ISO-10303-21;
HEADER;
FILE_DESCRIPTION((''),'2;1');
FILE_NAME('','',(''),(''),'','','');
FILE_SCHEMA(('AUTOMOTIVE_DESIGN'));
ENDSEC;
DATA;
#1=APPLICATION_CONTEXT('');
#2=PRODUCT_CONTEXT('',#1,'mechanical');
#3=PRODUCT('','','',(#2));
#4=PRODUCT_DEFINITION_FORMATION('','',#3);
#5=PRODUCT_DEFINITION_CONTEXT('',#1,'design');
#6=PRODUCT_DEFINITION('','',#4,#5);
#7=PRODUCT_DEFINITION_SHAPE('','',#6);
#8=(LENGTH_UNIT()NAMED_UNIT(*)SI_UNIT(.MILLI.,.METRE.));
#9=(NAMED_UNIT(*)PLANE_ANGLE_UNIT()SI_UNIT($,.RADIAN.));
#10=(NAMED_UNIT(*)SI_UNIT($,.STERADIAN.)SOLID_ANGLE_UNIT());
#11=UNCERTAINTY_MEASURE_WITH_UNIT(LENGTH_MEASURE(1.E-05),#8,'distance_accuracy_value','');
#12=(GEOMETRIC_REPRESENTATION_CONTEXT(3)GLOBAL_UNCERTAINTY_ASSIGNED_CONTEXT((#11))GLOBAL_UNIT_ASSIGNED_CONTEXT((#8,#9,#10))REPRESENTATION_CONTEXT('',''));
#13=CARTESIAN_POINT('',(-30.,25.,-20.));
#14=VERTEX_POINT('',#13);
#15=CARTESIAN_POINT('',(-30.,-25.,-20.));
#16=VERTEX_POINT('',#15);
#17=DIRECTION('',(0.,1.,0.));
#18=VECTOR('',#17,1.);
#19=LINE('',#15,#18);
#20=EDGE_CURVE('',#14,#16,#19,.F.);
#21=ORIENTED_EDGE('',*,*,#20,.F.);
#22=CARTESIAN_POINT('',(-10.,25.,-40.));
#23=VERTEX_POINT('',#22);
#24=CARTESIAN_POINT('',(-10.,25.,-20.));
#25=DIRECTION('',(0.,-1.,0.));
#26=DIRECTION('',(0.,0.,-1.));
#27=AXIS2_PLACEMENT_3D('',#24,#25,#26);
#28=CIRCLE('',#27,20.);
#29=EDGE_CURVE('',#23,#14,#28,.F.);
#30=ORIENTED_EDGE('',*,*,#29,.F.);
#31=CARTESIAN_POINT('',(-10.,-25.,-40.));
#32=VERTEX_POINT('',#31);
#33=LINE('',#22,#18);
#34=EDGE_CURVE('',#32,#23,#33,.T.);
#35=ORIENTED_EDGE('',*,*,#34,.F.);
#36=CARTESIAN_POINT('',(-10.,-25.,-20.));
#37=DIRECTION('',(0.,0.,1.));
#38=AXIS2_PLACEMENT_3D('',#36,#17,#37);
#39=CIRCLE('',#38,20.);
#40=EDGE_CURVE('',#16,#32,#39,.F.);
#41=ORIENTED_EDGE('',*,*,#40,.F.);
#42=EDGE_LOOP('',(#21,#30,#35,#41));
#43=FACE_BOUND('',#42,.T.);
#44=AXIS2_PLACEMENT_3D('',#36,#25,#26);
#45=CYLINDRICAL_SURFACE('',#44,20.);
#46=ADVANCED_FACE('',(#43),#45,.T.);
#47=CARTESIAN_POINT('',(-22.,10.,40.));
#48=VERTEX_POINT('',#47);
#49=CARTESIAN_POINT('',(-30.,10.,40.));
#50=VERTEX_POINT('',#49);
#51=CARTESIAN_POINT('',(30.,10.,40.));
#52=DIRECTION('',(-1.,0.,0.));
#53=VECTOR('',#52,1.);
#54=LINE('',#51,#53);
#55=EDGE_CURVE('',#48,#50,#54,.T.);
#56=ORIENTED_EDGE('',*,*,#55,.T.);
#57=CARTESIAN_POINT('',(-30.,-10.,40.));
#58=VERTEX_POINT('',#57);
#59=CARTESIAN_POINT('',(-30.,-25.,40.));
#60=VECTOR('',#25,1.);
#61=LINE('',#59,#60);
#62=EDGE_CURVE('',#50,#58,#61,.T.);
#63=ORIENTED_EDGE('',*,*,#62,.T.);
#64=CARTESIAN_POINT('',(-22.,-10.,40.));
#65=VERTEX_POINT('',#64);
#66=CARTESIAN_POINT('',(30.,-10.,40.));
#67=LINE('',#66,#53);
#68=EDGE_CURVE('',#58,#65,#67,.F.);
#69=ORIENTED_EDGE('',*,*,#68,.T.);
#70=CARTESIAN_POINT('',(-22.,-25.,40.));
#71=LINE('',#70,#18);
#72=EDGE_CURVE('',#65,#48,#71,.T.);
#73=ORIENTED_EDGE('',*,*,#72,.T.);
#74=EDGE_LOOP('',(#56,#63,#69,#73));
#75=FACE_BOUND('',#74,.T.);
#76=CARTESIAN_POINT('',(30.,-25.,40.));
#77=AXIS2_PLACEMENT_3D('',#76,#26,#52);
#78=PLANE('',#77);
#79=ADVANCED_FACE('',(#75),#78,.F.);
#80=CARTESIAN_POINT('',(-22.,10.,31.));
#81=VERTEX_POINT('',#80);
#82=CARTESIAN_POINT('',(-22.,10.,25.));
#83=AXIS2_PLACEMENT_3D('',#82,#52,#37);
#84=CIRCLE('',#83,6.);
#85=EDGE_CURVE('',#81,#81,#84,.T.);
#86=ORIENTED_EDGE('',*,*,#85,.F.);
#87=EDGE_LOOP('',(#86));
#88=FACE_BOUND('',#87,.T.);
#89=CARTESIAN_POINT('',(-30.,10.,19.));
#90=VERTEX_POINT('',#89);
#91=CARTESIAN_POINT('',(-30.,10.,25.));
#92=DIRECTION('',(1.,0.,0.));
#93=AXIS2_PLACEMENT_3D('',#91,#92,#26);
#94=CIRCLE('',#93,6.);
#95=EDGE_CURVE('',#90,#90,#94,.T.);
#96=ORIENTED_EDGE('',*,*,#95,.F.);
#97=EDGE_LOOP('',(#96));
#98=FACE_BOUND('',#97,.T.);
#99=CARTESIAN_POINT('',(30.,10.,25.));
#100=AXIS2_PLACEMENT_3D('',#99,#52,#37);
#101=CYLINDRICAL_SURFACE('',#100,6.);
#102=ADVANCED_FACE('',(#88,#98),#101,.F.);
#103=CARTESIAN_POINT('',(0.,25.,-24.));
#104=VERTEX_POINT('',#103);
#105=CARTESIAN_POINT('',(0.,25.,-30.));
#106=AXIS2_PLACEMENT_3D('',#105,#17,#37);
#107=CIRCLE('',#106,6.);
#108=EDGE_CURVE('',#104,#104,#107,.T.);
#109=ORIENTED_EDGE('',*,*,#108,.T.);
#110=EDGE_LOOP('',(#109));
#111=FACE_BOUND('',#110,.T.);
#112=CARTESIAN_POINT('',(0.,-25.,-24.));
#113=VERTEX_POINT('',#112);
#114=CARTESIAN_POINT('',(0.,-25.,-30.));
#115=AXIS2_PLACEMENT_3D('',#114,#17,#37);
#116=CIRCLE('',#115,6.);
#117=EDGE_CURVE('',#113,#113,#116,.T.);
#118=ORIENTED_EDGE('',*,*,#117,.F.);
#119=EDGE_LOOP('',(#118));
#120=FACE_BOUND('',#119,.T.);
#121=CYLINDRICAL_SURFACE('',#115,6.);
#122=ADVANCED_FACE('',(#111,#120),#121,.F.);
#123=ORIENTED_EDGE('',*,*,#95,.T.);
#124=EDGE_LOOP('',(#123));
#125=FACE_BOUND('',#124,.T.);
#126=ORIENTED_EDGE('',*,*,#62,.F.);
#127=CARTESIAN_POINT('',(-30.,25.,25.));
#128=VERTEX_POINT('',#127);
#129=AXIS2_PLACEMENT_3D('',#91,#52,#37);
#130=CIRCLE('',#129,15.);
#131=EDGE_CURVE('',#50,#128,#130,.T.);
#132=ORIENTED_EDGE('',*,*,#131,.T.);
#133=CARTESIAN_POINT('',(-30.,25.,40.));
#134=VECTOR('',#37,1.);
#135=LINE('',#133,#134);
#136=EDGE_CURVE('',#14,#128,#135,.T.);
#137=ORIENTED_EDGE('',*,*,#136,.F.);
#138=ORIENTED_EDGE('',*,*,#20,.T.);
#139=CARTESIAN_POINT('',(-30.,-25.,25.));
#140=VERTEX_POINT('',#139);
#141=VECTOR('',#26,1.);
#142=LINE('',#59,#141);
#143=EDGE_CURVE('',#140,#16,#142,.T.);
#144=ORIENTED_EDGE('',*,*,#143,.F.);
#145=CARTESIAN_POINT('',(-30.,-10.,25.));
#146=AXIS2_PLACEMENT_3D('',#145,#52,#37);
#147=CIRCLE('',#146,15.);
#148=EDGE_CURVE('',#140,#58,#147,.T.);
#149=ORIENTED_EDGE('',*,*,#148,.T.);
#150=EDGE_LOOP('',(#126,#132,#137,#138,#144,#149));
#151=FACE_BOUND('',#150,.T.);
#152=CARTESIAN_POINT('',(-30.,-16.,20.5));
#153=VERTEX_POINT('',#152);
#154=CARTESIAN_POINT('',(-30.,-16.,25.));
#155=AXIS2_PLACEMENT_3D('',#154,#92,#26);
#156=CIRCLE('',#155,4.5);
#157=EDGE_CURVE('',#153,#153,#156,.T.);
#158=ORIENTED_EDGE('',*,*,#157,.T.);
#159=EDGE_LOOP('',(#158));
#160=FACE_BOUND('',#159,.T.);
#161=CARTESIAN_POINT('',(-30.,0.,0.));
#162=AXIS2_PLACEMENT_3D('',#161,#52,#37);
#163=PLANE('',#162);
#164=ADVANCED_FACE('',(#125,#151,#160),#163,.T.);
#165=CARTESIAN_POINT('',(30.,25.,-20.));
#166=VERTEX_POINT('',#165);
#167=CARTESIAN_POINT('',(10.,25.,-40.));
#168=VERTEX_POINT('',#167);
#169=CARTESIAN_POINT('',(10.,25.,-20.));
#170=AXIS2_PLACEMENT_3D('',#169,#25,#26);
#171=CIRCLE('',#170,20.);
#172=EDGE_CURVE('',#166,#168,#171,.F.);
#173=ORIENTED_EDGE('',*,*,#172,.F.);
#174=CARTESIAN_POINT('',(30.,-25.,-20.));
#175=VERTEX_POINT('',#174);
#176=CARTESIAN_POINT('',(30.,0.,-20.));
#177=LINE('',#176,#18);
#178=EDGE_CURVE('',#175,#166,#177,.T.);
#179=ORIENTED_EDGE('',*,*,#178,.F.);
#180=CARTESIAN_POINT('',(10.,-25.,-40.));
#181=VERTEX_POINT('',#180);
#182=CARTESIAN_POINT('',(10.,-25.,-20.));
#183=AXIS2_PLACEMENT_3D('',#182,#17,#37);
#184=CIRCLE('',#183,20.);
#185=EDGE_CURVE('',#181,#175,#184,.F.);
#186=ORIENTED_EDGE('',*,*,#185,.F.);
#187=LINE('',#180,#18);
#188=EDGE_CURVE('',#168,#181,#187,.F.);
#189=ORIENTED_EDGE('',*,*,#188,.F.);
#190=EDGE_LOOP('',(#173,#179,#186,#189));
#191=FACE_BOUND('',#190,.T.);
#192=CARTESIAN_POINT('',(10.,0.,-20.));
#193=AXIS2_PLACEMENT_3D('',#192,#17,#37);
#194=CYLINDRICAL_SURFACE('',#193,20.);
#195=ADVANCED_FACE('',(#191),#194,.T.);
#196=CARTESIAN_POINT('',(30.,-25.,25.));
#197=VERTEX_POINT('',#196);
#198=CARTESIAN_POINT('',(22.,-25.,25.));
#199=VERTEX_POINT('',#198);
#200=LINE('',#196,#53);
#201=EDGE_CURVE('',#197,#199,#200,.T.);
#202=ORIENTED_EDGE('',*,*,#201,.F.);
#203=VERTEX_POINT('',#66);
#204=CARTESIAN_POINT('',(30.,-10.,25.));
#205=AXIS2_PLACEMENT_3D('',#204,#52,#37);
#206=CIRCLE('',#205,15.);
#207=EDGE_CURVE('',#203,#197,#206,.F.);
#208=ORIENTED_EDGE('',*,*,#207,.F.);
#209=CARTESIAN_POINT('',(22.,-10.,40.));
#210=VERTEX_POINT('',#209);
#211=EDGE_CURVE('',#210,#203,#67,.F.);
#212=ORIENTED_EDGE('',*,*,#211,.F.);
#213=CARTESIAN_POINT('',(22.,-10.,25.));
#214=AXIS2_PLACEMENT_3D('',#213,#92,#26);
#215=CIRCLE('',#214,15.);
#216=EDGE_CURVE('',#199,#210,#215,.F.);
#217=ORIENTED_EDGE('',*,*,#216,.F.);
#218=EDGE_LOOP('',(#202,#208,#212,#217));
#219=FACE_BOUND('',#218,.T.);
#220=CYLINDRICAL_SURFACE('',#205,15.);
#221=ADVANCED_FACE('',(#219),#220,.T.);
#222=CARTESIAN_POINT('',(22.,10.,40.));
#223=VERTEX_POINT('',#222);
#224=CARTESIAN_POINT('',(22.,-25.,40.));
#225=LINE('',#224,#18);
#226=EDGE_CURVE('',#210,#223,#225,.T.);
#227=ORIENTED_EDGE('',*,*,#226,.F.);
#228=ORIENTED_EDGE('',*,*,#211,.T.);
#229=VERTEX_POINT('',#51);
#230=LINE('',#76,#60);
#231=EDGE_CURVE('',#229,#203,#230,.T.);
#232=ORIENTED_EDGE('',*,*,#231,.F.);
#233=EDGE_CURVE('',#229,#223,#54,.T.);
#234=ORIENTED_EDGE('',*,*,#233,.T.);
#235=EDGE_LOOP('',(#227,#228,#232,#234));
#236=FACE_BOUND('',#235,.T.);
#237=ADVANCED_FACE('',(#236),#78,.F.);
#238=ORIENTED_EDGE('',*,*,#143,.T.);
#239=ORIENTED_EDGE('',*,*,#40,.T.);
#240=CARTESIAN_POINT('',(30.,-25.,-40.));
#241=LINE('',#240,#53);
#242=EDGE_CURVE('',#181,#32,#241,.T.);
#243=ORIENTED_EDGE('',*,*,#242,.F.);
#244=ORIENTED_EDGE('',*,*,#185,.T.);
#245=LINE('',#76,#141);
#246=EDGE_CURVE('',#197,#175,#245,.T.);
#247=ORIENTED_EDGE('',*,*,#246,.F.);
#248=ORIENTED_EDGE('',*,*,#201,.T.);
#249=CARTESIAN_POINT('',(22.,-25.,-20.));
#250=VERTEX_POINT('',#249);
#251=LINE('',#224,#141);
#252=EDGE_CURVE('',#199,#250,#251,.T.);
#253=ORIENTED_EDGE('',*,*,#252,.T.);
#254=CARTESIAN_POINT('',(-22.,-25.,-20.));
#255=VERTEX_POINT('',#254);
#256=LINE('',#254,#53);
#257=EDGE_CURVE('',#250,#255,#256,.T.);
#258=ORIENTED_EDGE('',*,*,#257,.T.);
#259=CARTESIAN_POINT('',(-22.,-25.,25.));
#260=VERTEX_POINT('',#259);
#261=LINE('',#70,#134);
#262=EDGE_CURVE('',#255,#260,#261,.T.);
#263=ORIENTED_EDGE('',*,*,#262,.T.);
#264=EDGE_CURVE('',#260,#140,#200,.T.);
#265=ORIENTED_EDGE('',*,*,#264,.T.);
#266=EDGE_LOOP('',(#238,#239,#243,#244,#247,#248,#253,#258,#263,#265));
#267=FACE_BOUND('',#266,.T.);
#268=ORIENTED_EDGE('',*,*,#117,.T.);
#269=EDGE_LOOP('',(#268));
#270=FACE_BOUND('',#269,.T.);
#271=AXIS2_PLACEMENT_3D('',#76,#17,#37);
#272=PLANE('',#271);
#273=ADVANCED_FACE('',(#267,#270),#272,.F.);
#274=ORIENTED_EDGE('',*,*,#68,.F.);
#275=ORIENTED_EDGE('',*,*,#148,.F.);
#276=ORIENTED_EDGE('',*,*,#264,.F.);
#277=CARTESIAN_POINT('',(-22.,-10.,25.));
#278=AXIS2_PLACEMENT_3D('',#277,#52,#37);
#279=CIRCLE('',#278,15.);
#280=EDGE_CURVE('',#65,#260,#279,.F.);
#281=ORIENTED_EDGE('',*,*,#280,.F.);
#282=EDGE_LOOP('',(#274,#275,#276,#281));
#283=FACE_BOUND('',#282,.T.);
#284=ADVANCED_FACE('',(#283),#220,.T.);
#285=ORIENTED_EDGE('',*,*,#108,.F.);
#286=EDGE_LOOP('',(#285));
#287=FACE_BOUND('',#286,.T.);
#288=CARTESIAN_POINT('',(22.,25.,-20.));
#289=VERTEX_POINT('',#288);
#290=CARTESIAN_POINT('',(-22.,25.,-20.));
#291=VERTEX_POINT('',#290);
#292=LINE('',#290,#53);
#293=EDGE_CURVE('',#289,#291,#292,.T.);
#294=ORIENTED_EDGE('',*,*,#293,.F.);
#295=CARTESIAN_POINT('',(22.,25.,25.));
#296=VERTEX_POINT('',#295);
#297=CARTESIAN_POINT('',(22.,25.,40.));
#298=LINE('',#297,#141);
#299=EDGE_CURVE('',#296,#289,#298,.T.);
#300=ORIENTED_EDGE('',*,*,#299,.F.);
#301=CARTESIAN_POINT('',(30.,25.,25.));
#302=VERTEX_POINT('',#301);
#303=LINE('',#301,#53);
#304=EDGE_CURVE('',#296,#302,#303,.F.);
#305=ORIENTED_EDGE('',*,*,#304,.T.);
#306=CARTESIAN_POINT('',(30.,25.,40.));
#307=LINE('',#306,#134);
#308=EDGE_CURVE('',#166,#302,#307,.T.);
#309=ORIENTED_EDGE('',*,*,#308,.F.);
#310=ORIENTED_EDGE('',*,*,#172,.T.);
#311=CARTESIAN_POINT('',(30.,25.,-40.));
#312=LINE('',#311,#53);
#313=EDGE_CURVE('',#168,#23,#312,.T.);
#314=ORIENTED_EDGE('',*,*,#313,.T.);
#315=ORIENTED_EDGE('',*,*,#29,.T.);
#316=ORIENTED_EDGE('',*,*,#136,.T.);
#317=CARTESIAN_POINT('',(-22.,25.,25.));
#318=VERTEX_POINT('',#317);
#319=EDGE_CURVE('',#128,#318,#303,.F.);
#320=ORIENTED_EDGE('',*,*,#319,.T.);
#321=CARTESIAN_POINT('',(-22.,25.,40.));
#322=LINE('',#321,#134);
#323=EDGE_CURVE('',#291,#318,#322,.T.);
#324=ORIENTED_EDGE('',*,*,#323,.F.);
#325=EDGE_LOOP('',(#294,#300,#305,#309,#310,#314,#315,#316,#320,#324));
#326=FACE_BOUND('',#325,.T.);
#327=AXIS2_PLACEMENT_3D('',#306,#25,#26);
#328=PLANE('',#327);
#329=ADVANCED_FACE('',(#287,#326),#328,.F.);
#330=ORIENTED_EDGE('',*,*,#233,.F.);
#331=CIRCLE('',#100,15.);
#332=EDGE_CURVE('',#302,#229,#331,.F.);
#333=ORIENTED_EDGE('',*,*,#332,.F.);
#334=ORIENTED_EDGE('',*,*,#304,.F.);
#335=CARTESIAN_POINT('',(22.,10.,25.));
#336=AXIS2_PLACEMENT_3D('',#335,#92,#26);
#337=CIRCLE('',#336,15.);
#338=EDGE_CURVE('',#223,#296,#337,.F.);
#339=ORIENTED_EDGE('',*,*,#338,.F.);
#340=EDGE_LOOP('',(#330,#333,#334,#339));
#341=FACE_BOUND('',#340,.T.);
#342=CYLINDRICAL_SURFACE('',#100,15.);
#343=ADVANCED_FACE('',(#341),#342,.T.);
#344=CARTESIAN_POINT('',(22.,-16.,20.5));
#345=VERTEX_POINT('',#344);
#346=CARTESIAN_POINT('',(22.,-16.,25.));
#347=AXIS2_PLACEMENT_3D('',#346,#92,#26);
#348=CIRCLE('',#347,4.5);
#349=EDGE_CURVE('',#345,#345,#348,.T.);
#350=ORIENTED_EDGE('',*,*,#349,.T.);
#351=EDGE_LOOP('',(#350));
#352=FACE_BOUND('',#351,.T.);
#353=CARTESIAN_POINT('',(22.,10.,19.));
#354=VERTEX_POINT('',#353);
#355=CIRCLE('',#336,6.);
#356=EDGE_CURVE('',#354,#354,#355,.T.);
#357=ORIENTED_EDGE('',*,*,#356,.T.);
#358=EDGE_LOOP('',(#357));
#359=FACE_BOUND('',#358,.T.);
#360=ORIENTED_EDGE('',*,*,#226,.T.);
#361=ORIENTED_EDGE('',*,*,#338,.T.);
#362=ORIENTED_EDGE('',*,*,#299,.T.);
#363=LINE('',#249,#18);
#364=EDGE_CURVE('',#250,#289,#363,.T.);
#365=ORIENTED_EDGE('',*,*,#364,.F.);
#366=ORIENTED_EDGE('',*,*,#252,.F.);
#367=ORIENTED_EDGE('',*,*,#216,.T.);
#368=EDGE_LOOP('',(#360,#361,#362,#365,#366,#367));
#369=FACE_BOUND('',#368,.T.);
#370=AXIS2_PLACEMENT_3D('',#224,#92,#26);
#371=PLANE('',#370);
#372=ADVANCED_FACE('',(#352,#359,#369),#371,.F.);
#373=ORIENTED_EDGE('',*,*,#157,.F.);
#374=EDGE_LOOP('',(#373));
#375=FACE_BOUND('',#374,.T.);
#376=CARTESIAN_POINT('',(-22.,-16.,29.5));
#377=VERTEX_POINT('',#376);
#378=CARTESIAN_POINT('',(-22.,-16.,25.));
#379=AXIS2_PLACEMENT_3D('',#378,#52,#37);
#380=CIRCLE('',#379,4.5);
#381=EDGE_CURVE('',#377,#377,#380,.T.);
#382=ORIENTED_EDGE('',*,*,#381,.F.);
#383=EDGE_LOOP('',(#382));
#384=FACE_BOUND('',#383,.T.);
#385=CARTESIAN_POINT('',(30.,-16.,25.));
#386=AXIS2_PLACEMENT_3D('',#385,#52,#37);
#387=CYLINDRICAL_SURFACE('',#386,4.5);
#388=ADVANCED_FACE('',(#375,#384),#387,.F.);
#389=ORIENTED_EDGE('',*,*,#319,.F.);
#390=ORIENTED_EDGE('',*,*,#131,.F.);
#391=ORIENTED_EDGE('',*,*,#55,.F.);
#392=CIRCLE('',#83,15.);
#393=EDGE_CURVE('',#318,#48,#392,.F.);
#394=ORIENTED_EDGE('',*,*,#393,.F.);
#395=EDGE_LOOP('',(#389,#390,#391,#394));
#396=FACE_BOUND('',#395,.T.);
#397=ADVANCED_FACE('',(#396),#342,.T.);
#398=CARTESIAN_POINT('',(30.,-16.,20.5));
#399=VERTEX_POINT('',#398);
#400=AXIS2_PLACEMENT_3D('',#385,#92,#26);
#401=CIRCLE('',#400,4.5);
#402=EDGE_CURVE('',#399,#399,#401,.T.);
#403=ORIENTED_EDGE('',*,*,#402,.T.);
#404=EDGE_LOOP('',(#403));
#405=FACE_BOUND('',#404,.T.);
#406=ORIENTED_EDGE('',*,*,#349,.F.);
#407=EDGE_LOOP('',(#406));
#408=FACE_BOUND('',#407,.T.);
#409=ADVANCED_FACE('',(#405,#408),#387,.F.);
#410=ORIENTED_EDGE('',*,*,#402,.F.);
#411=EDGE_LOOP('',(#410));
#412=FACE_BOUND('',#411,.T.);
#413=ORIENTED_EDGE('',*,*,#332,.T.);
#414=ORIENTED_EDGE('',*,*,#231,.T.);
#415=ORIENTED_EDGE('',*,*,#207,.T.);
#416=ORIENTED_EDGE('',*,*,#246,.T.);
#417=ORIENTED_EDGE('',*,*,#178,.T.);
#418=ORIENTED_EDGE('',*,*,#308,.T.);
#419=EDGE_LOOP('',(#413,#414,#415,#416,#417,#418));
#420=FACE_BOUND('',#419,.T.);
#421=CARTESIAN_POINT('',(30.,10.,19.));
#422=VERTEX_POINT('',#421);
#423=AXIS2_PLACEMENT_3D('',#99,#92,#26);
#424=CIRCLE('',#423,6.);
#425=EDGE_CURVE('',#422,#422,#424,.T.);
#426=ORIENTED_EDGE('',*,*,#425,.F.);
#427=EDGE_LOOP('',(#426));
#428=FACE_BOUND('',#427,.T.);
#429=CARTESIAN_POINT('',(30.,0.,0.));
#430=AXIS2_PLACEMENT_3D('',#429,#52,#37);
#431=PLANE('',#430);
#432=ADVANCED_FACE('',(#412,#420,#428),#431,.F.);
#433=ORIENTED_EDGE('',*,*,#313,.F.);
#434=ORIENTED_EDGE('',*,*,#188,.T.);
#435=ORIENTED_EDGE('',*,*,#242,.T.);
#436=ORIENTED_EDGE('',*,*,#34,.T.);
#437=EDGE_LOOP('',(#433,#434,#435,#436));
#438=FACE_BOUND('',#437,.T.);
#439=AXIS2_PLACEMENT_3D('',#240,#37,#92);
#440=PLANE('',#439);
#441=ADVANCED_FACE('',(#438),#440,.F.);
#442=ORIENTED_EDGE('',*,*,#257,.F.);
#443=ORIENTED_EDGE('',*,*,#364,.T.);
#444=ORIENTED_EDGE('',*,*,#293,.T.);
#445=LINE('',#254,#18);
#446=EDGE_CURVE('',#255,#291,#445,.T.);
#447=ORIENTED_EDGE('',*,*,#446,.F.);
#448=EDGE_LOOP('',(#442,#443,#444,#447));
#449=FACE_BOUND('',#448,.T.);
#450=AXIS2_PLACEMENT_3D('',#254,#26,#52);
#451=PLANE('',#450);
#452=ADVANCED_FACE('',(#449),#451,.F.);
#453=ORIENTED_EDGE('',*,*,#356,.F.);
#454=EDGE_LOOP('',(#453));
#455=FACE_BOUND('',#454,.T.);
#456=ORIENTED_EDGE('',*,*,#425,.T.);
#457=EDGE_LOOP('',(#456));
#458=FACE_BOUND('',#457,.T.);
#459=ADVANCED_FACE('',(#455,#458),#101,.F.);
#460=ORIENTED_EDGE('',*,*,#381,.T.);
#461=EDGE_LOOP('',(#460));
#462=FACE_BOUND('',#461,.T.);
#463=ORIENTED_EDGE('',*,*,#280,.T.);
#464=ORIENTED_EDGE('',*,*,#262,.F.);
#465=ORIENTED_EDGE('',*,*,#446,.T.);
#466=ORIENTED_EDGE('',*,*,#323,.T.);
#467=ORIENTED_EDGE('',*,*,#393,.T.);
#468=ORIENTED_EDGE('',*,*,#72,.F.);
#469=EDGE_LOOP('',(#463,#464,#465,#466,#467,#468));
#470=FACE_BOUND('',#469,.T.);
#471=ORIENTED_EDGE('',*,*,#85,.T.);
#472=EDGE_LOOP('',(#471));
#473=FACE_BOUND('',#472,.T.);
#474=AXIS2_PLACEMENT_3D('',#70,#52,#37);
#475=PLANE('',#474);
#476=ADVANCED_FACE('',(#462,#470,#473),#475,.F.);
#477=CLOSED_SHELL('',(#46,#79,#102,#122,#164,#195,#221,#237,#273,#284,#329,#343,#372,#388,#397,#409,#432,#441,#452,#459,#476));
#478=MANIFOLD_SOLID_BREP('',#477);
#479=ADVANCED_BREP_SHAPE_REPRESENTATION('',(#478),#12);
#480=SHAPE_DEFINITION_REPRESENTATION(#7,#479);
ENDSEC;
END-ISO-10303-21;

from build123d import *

# Parameters (mm, degrees)
SKETCH4_W               = 80
SKETCH4_H               = 50
SKETCH4_R               = 6
SKETCH4_R_2             = 4.5
BOSS_EXTRUDE2_DEPTH     = 30
CUT_EXTRUDE3_DEPTH      = 56.901699437
CUT_EXTRUDE3_DEPTH_BACK = 56.901699437
SKETCH5_W               = 44
SKETCH5_H               = 60
CUT_EXTRUDE4_DEPTH      = 56.901699437
CUT_EXTRUDE4_DEPTH_BACK = 56.901699437
SKETCH6_R               = 6
FILLET1_R               = 20
FILLET3_R               = 15


with BuildPart() as part:
    # Sketch4 → Boss-Extrude2 (new, symmetric)
    with BuildSketch(Plane(origin=(0, 0, 0), x_dir=(0, 0, -1), z_dir=(1, 0, 0))):
        Rectangle(SKETCH4_W, SKETCH4_H)
        with Locations((-25, 10)):
            Circle(SKETCH4_R, mode=Mode.SUBTRACT)
        with Locations((-25, -16)):
            Circle(SKETCH4_R_2, mode=Mode.SUBTRACT)
    extrude(amount=BOSS_EXTRUDE2_DEPTH, both=True)

    # Sketch5 → Cut-Extrude3 (cut, two sides: drawn at the far end of the back side and taken through both)
    with BuildSketch(Plane(origin=(0, 0, 0), x_dir=(1, 0, 0), z_dir=(0, 1, 0)).offset(-CUT_EXTRUDE3_DEPTH_BACK)):
        with Locations((0, -10)):
            Rectangle(SKETCH5_W, SKETCH5_H)
    extrude(amount=CUT_EXTRUDE3_DEPTH + CUT_EXTRUDE3_DEPTH_BACK, mode=Mode.SUBTRACT)

    # Sketch6 → Cut-Extrude4 (cut, two sides: drawn at the far end of the back side and taken through both)
    with BuildSketch(Plane(origin=(0, 0, 0), x_dir=(1, 0, 0), z_dir=(0, 1, 0)).offset(-CUT_EXTRUDE4_DEPTH_BACK)):
        with Locations(Location((0, 30, 0), (0, 0, 270))):
            Circle(SKETCH6_R)
    extrude(amount=CUT_EXTRUDE4_DEPTH + CUT_EXTRUDE4_DEPTH_BACK, mode=Mode.SUBTRACT)

    # Fillet1
    fillet1_edges = [part.edges().sort_by_distance(p)[0] for p in [
        (30, 0, -40),
        (-30, 0, -40),
    ]]
    fillet(fillet1_edges, radius=FILLET1_R)

    # Fillet3
    fillet3_edges = [part.edges().sort_by_distance(p)[0] for p in [
        (-26, -25, 40),
        (-26, 25, 40),
        (26, -25, 40),
        (26, 25, 40),
    ]]
    fillet(fillet3_edges, radius=FILLET3_R)


solid = part.part
